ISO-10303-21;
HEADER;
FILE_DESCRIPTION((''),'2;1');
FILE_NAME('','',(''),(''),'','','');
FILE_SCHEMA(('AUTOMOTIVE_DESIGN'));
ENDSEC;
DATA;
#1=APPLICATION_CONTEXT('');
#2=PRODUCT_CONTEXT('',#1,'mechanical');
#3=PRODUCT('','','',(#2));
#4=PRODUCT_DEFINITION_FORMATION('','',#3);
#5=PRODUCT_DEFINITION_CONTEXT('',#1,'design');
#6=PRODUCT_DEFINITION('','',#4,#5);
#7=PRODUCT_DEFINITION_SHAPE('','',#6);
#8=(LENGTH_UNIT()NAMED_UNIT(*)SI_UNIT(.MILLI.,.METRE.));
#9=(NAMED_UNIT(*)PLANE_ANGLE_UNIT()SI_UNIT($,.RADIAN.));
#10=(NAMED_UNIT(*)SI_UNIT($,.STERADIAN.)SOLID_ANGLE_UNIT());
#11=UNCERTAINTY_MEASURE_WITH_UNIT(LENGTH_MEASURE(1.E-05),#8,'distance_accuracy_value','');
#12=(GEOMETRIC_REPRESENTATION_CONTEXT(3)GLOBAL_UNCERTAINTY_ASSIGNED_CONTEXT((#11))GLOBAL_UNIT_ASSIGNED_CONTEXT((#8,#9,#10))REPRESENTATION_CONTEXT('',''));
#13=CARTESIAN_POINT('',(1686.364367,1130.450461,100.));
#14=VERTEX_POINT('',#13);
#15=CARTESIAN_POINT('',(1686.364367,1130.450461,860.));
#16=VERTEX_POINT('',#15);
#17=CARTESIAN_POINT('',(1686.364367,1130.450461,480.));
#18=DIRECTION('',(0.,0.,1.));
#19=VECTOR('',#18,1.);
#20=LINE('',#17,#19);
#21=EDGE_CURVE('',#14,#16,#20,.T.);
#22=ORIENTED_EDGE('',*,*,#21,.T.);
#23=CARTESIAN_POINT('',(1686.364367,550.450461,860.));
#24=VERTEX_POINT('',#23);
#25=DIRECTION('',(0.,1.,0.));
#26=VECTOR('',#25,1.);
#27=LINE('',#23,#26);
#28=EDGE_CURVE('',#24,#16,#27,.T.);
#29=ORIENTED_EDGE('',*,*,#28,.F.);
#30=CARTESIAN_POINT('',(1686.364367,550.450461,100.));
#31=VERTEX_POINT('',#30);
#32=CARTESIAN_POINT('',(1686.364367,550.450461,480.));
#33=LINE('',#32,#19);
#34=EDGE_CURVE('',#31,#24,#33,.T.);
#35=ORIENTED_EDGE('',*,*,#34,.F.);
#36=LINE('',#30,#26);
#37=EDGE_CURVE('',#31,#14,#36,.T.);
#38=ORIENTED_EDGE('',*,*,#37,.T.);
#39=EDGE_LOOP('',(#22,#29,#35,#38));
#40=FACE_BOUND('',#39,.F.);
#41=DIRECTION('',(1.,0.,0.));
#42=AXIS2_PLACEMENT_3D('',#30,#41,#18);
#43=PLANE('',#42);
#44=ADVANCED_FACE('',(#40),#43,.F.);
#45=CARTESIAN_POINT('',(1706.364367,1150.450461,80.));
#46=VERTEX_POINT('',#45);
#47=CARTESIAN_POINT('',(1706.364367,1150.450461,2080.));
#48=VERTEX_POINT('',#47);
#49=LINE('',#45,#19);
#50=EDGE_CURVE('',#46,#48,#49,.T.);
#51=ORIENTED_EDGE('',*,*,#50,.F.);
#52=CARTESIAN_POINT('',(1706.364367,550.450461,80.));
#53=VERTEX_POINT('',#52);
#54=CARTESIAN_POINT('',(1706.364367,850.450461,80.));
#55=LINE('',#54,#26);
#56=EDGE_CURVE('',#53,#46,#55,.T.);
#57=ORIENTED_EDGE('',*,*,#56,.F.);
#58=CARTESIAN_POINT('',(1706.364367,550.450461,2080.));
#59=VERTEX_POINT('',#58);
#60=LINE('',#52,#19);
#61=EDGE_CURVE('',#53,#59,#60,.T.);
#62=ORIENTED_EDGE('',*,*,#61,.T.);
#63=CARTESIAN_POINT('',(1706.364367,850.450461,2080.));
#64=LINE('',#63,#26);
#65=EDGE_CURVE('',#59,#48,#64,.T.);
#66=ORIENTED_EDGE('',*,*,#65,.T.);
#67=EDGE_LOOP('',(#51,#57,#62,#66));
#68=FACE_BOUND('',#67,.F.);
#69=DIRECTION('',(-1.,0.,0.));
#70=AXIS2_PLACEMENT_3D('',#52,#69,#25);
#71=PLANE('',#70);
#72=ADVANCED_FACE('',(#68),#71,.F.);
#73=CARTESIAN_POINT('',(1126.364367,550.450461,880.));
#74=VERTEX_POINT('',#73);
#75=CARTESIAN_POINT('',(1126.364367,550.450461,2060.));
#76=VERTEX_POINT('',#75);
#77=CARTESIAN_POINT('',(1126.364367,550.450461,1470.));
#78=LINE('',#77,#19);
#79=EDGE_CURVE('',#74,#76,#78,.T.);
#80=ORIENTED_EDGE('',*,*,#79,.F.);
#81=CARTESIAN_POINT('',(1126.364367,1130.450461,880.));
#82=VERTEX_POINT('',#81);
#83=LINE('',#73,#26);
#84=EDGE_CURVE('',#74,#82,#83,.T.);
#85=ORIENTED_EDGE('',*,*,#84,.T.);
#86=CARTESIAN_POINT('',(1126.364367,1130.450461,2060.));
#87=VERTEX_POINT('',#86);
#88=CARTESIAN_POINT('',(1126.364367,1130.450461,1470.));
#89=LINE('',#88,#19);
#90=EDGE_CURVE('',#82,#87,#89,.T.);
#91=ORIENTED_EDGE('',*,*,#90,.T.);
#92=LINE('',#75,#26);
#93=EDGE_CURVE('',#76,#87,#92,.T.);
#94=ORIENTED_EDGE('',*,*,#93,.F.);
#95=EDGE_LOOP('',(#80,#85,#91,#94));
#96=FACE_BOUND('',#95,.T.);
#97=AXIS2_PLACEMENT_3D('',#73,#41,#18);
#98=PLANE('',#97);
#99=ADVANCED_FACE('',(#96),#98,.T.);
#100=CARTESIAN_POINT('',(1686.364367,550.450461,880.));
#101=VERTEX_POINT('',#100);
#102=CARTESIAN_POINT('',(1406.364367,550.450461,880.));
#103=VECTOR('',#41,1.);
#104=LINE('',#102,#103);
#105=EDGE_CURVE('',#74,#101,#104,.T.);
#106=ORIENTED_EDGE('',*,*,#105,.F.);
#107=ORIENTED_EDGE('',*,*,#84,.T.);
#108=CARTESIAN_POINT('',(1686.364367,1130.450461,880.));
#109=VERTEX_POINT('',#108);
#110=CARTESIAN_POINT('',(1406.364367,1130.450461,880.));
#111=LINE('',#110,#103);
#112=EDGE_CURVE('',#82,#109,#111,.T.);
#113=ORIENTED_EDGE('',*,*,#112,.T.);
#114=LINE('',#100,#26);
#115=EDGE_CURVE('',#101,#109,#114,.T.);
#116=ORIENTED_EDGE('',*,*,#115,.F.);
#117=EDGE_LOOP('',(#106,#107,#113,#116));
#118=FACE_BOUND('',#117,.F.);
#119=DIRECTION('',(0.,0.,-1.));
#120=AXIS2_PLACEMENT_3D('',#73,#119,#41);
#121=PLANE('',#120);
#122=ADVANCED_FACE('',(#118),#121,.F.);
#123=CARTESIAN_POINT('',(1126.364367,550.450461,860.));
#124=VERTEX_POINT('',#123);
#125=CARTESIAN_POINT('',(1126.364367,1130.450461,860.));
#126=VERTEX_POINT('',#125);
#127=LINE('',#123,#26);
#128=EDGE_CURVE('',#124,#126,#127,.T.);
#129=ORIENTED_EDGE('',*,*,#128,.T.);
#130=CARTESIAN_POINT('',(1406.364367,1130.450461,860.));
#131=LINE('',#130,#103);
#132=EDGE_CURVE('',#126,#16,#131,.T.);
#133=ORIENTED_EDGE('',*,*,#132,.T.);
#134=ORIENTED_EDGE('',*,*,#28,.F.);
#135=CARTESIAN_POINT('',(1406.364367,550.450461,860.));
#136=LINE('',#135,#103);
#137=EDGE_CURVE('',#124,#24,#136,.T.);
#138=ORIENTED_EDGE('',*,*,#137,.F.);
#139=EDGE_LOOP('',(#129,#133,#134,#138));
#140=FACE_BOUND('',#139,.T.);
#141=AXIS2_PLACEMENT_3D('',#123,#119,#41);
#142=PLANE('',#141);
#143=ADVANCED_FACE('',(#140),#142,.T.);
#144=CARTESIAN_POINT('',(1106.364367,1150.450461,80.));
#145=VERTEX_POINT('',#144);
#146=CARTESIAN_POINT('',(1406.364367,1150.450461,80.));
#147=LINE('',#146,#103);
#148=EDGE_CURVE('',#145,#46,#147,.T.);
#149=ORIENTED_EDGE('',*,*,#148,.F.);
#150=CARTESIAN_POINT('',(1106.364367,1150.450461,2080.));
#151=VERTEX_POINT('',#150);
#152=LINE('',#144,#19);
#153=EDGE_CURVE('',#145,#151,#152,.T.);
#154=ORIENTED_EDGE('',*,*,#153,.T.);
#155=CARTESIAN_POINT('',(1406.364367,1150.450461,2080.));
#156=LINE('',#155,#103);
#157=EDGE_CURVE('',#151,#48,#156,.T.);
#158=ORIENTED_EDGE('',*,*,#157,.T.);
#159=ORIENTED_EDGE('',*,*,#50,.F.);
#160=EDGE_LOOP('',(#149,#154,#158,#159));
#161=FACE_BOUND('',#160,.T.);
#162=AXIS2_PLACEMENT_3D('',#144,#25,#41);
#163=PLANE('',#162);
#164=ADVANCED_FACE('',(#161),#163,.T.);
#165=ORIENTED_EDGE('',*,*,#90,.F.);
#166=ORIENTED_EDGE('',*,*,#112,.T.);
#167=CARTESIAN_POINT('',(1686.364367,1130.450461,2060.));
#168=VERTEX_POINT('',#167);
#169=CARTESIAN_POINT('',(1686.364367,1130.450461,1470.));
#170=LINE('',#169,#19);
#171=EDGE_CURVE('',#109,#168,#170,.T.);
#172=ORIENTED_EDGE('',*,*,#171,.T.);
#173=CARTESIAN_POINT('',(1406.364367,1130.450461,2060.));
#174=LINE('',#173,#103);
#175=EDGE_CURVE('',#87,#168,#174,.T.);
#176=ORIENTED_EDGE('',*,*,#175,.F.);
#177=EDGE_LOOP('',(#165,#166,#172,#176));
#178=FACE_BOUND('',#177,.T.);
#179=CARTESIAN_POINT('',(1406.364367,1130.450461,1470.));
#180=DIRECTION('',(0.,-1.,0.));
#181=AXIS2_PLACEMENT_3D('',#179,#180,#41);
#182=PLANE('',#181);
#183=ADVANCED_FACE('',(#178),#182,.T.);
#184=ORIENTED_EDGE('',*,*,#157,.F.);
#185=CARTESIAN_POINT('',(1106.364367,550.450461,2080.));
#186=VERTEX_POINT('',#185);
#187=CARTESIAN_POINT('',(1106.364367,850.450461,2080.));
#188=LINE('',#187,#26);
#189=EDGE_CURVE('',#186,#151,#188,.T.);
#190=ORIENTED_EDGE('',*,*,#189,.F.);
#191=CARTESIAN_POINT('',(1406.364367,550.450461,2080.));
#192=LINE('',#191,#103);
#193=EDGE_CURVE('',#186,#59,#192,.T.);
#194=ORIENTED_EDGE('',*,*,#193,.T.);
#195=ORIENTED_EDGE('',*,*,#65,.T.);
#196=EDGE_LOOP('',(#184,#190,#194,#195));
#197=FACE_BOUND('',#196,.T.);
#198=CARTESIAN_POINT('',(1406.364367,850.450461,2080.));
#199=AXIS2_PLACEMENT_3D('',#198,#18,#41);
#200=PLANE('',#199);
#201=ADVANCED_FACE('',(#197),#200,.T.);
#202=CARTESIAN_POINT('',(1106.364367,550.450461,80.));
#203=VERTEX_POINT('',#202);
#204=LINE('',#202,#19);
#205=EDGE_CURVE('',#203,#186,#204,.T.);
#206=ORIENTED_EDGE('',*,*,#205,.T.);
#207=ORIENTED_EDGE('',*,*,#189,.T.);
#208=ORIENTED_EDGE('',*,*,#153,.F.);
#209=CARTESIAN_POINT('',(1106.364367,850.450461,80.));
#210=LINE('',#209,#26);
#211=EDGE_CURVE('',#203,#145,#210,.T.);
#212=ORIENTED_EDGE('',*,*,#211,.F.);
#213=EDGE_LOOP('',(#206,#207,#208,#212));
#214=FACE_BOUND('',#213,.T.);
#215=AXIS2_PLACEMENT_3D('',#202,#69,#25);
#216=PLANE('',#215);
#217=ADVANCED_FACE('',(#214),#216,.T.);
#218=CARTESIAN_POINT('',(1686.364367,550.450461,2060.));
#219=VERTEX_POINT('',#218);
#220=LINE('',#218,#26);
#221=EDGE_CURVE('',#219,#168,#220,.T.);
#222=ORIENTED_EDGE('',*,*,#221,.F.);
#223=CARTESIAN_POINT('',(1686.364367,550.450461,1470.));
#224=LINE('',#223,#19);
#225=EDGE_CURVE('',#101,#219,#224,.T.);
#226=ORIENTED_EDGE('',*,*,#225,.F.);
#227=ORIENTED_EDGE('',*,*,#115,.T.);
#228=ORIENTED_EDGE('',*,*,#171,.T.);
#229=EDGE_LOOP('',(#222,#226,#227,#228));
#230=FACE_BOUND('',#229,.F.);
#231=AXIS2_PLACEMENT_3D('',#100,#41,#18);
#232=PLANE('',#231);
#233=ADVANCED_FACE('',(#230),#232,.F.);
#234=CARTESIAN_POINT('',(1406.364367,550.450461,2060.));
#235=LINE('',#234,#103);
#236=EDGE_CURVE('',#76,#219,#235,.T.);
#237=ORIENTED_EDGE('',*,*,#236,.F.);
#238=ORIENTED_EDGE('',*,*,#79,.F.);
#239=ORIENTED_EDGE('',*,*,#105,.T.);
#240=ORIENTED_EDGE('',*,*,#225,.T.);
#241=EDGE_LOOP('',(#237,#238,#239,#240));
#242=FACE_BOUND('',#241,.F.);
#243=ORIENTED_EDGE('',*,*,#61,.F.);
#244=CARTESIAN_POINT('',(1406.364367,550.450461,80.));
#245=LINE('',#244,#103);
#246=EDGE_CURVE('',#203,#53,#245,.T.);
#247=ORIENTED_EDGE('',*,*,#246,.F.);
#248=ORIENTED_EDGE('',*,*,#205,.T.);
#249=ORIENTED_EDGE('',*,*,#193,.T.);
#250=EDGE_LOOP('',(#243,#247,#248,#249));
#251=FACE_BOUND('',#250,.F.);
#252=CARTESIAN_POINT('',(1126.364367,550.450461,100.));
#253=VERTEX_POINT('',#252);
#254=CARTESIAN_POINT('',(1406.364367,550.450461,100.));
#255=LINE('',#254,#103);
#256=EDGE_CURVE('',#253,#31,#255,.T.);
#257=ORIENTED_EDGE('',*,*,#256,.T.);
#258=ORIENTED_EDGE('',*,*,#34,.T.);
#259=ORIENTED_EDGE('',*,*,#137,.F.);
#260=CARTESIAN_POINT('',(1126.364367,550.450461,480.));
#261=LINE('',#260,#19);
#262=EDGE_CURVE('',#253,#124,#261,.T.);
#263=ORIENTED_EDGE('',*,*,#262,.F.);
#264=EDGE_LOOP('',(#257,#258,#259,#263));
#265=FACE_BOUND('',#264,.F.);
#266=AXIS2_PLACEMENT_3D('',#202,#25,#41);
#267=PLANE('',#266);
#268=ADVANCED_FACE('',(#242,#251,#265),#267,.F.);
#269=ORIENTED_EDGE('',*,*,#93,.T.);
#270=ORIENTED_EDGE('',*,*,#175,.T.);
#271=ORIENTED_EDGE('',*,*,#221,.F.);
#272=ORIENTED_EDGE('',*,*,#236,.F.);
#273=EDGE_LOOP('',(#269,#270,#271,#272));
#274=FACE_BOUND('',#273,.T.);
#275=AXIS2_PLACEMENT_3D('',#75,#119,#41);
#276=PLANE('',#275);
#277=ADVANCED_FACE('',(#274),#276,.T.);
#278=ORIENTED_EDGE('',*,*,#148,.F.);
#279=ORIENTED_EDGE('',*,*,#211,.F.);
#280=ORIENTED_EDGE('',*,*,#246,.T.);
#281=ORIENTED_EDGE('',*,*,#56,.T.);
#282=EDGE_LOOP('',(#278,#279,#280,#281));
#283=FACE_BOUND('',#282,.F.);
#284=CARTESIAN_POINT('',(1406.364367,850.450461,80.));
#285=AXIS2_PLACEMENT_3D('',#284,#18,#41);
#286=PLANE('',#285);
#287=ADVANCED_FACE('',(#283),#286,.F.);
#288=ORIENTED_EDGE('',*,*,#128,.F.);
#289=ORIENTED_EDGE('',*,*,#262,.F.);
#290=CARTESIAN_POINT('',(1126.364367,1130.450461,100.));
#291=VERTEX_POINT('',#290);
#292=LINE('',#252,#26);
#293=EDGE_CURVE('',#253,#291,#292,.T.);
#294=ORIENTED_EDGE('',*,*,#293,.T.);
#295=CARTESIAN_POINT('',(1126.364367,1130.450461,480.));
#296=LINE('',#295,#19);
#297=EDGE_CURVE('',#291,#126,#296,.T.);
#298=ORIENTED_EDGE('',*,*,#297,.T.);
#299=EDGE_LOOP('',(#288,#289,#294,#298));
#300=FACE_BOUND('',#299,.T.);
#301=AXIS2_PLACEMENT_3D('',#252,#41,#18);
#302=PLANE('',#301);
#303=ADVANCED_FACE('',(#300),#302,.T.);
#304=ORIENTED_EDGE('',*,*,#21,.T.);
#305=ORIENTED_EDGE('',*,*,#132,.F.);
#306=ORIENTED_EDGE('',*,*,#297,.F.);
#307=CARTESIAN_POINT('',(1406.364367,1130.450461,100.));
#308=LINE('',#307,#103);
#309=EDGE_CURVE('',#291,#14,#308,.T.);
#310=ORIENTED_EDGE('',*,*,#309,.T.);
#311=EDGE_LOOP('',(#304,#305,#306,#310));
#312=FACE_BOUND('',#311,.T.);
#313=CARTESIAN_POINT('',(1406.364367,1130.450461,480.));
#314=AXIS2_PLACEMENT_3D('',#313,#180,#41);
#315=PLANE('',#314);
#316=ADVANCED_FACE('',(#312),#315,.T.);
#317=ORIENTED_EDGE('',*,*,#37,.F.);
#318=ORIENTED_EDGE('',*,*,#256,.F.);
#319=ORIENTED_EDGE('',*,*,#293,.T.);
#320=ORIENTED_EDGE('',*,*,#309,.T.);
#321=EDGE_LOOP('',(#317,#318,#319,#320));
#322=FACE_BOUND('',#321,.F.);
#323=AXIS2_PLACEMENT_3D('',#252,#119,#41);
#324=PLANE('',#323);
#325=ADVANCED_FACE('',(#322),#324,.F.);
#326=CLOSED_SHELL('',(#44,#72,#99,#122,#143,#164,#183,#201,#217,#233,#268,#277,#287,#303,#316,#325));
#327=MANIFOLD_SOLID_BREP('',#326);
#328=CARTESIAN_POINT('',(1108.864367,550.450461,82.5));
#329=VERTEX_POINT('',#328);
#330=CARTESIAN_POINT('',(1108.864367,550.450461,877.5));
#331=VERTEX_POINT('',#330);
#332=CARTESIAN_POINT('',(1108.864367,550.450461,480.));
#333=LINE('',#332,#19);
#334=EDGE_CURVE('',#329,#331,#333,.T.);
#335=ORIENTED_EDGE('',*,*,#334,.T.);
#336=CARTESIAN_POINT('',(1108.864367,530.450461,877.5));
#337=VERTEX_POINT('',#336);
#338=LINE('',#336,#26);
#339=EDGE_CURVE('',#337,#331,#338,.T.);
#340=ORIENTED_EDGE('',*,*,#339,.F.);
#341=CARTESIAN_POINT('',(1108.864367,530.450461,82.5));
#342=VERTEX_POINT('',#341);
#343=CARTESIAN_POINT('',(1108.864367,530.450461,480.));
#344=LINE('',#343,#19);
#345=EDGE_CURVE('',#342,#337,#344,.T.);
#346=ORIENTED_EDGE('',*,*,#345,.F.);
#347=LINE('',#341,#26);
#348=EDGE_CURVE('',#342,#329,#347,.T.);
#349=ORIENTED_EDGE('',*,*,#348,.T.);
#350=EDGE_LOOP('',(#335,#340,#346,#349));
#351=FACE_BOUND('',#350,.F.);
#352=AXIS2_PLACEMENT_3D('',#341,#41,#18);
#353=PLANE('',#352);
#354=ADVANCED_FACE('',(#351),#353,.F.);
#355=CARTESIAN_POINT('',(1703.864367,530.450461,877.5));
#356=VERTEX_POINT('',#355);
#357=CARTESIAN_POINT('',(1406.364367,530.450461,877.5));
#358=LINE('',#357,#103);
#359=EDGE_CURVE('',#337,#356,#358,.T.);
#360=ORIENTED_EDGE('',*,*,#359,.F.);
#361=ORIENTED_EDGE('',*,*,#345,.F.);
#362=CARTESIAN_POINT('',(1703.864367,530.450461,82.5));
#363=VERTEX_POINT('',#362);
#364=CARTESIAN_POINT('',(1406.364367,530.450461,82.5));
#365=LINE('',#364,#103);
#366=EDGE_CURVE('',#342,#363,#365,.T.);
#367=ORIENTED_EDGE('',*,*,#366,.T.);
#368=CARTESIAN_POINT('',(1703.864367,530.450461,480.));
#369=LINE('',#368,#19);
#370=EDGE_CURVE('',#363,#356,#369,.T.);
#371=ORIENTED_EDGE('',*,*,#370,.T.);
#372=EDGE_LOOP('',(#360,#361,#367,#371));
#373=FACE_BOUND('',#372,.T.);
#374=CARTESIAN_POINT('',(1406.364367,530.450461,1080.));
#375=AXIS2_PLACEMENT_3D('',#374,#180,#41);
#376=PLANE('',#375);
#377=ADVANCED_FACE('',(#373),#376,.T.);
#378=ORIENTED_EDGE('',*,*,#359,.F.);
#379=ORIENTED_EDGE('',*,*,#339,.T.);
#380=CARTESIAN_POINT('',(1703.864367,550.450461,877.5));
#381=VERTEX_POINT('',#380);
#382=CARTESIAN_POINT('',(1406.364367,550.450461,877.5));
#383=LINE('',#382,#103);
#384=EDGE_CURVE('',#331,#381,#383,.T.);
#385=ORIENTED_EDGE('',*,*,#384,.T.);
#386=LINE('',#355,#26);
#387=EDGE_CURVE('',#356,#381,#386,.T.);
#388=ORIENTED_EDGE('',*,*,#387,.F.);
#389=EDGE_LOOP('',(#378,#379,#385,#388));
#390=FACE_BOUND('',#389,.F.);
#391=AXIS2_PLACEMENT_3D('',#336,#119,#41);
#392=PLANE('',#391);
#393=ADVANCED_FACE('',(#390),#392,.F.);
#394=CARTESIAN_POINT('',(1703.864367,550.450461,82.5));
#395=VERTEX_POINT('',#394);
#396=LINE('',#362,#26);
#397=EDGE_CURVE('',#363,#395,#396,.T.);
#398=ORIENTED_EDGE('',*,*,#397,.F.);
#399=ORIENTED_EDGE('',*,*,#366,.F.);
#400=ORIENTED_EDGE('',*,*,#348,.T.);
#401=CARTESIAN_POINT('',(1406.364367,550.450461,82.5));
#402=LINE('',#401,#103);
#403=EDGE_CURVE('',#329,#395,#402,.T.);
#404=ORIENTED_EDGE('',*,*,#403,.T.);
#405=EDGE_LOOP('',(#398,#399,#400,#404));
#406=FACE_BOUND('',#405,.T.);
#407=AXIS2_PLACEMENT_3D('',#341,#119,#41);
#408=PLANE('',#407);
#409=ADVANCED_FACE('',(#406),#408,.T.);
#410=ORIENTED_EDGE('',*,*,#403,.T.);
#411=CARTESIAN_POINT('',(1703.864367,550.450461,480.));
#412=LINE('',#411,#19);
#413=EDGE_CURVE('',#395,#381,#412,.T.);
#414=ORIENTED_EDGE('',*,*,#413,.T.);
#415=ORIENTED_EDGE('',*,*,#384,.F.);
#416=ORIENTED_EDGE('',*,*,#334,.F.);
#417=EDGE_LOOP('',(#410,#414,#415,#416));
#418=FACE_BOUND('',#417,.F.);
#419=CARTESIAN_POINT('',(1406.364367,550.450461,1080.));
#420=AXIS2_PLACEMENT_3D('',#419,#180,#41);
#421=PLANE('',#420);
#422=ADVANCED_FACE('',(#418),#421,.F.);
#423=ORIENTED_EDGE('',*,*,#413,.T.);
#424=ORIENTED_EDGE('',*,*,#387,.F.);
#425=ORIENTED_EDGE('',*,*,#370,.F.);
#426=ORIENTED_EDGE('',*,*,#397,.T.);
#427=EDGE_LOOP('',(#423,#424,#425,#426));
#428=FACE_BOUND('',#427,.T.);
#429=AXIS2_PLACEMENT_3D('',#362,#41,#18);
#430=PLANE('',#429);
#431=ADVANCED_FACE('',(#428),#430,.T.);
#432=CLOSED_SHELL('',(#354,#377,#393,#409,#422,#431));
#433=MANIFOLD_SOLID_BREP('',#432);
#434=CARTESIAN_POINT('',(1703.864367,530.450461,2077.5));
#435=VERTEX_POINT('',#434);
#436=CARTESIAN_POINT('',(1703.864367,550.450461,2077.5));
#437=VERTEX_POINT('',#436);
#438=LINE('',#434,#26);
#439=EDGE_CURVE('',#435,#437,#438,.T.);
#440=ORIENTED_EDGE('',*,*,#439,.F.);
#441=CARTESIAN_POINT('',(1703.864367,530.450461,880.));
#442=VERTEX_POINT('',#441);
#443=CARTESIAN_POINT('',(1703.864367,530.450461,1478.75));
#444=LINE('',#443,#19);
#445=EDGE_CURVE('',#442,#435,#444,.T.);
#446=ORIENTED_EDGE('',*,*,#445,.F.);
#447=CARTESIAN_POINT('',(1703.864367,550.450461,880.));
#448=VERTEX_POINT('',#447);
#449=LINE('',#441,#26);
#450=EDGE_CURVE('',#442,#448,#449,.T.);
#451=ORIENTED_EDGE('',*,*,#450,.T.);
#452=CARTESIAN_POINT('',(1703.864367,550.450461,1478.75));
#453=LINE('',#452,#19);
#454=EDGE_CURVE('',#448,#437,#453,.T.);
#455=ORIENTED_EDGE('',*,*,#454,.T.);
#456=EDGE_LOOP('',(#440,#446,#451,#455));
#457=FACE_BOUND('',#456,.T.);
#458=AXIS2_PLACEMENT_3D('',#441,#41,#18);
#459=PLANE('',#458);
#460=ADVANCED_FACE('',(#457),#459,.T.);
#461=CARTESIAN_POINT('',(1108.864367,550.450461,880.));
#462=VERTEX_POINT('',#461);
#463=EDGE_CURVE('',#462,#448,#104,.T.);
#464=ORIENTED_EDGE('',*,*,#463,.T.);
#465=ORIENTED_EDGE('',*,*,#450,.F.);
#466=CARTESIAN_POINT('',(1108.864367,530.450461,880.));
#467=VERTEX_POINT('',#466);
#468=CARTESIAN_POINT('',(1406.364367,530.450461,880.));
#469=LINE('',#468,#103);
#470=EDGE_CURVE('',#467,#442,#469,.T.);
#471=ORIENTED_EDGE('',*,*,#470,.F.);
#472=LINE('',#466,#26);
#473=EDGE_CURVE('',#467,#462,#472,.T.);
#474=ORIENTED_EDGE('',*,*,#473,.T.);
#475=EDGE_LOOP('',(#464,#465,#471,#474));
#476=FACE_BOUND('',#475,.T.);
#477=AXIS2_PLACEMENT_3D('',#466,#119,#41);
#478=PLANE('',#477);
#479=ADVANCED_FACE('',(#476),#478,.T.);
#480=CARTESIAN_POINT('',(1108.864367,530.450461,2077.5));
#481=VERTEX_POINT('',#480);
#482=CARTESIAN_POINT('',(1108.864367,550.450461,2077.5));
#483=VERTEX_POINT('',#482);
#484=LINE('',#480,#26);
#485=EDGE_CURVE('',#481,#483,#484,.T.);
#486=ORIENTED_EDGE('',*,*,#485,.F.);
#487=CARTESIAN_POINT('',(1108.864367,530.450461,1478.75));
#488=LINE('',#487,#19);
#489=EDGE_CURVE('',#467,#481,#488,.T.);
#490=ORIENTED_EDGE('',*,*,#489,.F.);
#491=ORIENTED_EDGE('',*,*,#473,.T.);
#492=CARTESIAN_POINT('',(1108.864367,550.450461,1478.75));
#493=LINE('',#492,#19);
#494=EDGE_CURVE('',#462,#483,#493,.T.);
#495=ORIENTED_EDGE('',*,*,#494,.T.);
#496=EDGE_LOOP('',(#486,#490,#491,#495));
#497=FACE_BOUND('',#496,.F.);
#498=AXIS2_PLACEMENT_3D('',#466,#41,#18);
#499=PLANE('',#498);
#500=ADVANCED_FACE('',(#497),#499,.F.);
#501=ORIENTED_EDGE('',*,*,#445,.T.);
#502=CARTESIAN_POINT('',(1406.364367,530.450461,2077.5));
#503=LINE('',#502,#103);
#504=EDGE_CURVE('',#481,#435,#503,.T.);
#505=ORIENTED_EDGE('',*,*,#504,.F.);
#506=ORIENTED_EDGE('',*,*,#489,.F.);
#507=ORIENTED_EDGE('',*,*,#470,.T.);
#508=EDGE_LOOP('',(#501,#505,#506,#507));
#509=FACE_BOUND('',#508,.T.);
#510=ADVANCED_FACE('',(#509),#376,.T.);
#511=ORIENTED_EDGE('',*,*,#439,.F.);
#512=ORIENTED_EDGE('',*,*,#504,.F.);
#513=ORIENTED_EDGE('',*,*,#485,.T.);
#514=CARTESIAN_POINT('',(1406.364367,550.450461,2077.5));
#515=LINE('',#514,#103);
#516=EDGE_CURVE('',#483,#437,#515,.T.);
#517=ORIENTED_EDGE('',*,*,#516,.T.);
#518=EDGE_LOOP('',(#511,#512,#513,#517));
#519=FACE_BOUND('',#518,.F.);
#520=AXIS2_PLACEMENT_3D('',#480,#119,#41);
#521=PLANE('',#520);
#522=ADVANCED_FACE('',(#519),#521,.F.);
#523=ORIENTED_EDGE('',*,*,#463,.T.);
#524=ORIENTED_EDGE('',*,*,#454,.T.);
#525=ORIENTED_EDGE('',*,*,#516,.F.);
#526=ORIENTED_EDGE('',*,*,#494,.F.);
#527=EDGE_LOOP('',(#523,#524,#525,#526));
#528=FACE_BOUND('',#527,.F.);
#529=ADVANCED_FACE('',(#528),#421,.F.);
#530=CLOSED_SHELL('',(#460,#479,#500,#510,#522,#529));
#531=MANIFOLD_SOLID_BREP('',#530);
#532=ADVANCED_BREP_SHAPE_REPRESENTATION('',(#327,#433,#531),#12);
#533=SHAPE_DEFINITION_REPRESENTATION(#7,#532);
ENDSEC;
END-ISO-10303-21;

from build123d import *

# Parameters (mm, degrees)
F3_W      = 600
F3_H      = 600
F4_DEPTH  = 2000
F5_W      = 560
F5_H      = 1180
F5_H_2    = 760
F6_DEPTH  = 580
F9_W      = 600
F9_H      = 2000
F10_DEPTH = 20
F11_W     = 595
F11_H     = 795
F11_H_2   = 1197.5
F12_DEPTH = 20
F13_DEPTH = 20


with BuildPart() as f4:
    # F3 (on offset) → F4 (new body)
    with BuildSketch(Plane.XY.offset(80)):
        with Locations((1406.3643673062, 850.4504614572)):
            Rectangle(F3_W, F3_H)
    extrude(amount=F4_DEPTH)

    # F5 (on face) → F6 (cut)
    with BuildSketch(Plane.XZ.offset(-550.4504614572)):
        with Locations((1406.3643673062, 1470)):
            Rectangle(F5_W, F5_H)
        with Locations((1406.3643673062, 480)):
            Rectangle(F5_W, F5_H_2)
    extrude(amount=-F6_DEPTH, mode=Mode.SUBTRACT)

    # F11 (on face) → F13 (cut)
    with BuildSketch(Plane.XZ.offset(-530.4504614572)):
        Polygon((1706.3643673062, 880), (1706.3643673062, 2080), (1106.3643673062, 2080), (1106.3643673062, 880), (1106.3643673062, 80), (1706.3643673062, 80), align=None)
        with Locations((1406.3643673062, 480)):
            Rectangle(F11_W, F11_H, mode=Mode.SUBTRACT)
        with Locations((1406.3643673062, 1478.75)):
            Rectangle(F11_W, F11_H_2, mode=Mode.SUBTRACT)
    extrude(amount=-F13_DEPTH, mode=Mode.SUBTRACT)


with BuildPart() as f10:
    # F9 (on offset) → F10 (new body)
    with BuildSketch(Plane.XZ.offset(-550.4504614572)):
        with Locations((1406.3643673062, 1080)):
            Rectangle(F9_W, F9_H)
    extrude(amount=F10_DEPTH)

    # F11 (on face) → F12 (cut)
    with BuildSketch(Plane.XZ.offset(-530.4504614572)):
        Polygon((1706.3643673062, 880), (1706.3643673062, 2080), (1106.3643673062, 2080), (1106.3643673062, 880), (1106.3643673062, 80), (1706.3643673062, 80), align=None)
        with Locations((1406.3643673062, 480)):
            Rectangle(F11_W, F11_H, mode=Mode.SUBTRACT)
        with Locations((1406.3643673062, 1478.75)):
            Rectangle(F11_W, F11_H_2, mode=Mode.SUBTRACT)
    extrude(amount=-F12_DEPTH, mode=Mode.SUBTRACT)


solid = Compound([f4.part, f10.part])
